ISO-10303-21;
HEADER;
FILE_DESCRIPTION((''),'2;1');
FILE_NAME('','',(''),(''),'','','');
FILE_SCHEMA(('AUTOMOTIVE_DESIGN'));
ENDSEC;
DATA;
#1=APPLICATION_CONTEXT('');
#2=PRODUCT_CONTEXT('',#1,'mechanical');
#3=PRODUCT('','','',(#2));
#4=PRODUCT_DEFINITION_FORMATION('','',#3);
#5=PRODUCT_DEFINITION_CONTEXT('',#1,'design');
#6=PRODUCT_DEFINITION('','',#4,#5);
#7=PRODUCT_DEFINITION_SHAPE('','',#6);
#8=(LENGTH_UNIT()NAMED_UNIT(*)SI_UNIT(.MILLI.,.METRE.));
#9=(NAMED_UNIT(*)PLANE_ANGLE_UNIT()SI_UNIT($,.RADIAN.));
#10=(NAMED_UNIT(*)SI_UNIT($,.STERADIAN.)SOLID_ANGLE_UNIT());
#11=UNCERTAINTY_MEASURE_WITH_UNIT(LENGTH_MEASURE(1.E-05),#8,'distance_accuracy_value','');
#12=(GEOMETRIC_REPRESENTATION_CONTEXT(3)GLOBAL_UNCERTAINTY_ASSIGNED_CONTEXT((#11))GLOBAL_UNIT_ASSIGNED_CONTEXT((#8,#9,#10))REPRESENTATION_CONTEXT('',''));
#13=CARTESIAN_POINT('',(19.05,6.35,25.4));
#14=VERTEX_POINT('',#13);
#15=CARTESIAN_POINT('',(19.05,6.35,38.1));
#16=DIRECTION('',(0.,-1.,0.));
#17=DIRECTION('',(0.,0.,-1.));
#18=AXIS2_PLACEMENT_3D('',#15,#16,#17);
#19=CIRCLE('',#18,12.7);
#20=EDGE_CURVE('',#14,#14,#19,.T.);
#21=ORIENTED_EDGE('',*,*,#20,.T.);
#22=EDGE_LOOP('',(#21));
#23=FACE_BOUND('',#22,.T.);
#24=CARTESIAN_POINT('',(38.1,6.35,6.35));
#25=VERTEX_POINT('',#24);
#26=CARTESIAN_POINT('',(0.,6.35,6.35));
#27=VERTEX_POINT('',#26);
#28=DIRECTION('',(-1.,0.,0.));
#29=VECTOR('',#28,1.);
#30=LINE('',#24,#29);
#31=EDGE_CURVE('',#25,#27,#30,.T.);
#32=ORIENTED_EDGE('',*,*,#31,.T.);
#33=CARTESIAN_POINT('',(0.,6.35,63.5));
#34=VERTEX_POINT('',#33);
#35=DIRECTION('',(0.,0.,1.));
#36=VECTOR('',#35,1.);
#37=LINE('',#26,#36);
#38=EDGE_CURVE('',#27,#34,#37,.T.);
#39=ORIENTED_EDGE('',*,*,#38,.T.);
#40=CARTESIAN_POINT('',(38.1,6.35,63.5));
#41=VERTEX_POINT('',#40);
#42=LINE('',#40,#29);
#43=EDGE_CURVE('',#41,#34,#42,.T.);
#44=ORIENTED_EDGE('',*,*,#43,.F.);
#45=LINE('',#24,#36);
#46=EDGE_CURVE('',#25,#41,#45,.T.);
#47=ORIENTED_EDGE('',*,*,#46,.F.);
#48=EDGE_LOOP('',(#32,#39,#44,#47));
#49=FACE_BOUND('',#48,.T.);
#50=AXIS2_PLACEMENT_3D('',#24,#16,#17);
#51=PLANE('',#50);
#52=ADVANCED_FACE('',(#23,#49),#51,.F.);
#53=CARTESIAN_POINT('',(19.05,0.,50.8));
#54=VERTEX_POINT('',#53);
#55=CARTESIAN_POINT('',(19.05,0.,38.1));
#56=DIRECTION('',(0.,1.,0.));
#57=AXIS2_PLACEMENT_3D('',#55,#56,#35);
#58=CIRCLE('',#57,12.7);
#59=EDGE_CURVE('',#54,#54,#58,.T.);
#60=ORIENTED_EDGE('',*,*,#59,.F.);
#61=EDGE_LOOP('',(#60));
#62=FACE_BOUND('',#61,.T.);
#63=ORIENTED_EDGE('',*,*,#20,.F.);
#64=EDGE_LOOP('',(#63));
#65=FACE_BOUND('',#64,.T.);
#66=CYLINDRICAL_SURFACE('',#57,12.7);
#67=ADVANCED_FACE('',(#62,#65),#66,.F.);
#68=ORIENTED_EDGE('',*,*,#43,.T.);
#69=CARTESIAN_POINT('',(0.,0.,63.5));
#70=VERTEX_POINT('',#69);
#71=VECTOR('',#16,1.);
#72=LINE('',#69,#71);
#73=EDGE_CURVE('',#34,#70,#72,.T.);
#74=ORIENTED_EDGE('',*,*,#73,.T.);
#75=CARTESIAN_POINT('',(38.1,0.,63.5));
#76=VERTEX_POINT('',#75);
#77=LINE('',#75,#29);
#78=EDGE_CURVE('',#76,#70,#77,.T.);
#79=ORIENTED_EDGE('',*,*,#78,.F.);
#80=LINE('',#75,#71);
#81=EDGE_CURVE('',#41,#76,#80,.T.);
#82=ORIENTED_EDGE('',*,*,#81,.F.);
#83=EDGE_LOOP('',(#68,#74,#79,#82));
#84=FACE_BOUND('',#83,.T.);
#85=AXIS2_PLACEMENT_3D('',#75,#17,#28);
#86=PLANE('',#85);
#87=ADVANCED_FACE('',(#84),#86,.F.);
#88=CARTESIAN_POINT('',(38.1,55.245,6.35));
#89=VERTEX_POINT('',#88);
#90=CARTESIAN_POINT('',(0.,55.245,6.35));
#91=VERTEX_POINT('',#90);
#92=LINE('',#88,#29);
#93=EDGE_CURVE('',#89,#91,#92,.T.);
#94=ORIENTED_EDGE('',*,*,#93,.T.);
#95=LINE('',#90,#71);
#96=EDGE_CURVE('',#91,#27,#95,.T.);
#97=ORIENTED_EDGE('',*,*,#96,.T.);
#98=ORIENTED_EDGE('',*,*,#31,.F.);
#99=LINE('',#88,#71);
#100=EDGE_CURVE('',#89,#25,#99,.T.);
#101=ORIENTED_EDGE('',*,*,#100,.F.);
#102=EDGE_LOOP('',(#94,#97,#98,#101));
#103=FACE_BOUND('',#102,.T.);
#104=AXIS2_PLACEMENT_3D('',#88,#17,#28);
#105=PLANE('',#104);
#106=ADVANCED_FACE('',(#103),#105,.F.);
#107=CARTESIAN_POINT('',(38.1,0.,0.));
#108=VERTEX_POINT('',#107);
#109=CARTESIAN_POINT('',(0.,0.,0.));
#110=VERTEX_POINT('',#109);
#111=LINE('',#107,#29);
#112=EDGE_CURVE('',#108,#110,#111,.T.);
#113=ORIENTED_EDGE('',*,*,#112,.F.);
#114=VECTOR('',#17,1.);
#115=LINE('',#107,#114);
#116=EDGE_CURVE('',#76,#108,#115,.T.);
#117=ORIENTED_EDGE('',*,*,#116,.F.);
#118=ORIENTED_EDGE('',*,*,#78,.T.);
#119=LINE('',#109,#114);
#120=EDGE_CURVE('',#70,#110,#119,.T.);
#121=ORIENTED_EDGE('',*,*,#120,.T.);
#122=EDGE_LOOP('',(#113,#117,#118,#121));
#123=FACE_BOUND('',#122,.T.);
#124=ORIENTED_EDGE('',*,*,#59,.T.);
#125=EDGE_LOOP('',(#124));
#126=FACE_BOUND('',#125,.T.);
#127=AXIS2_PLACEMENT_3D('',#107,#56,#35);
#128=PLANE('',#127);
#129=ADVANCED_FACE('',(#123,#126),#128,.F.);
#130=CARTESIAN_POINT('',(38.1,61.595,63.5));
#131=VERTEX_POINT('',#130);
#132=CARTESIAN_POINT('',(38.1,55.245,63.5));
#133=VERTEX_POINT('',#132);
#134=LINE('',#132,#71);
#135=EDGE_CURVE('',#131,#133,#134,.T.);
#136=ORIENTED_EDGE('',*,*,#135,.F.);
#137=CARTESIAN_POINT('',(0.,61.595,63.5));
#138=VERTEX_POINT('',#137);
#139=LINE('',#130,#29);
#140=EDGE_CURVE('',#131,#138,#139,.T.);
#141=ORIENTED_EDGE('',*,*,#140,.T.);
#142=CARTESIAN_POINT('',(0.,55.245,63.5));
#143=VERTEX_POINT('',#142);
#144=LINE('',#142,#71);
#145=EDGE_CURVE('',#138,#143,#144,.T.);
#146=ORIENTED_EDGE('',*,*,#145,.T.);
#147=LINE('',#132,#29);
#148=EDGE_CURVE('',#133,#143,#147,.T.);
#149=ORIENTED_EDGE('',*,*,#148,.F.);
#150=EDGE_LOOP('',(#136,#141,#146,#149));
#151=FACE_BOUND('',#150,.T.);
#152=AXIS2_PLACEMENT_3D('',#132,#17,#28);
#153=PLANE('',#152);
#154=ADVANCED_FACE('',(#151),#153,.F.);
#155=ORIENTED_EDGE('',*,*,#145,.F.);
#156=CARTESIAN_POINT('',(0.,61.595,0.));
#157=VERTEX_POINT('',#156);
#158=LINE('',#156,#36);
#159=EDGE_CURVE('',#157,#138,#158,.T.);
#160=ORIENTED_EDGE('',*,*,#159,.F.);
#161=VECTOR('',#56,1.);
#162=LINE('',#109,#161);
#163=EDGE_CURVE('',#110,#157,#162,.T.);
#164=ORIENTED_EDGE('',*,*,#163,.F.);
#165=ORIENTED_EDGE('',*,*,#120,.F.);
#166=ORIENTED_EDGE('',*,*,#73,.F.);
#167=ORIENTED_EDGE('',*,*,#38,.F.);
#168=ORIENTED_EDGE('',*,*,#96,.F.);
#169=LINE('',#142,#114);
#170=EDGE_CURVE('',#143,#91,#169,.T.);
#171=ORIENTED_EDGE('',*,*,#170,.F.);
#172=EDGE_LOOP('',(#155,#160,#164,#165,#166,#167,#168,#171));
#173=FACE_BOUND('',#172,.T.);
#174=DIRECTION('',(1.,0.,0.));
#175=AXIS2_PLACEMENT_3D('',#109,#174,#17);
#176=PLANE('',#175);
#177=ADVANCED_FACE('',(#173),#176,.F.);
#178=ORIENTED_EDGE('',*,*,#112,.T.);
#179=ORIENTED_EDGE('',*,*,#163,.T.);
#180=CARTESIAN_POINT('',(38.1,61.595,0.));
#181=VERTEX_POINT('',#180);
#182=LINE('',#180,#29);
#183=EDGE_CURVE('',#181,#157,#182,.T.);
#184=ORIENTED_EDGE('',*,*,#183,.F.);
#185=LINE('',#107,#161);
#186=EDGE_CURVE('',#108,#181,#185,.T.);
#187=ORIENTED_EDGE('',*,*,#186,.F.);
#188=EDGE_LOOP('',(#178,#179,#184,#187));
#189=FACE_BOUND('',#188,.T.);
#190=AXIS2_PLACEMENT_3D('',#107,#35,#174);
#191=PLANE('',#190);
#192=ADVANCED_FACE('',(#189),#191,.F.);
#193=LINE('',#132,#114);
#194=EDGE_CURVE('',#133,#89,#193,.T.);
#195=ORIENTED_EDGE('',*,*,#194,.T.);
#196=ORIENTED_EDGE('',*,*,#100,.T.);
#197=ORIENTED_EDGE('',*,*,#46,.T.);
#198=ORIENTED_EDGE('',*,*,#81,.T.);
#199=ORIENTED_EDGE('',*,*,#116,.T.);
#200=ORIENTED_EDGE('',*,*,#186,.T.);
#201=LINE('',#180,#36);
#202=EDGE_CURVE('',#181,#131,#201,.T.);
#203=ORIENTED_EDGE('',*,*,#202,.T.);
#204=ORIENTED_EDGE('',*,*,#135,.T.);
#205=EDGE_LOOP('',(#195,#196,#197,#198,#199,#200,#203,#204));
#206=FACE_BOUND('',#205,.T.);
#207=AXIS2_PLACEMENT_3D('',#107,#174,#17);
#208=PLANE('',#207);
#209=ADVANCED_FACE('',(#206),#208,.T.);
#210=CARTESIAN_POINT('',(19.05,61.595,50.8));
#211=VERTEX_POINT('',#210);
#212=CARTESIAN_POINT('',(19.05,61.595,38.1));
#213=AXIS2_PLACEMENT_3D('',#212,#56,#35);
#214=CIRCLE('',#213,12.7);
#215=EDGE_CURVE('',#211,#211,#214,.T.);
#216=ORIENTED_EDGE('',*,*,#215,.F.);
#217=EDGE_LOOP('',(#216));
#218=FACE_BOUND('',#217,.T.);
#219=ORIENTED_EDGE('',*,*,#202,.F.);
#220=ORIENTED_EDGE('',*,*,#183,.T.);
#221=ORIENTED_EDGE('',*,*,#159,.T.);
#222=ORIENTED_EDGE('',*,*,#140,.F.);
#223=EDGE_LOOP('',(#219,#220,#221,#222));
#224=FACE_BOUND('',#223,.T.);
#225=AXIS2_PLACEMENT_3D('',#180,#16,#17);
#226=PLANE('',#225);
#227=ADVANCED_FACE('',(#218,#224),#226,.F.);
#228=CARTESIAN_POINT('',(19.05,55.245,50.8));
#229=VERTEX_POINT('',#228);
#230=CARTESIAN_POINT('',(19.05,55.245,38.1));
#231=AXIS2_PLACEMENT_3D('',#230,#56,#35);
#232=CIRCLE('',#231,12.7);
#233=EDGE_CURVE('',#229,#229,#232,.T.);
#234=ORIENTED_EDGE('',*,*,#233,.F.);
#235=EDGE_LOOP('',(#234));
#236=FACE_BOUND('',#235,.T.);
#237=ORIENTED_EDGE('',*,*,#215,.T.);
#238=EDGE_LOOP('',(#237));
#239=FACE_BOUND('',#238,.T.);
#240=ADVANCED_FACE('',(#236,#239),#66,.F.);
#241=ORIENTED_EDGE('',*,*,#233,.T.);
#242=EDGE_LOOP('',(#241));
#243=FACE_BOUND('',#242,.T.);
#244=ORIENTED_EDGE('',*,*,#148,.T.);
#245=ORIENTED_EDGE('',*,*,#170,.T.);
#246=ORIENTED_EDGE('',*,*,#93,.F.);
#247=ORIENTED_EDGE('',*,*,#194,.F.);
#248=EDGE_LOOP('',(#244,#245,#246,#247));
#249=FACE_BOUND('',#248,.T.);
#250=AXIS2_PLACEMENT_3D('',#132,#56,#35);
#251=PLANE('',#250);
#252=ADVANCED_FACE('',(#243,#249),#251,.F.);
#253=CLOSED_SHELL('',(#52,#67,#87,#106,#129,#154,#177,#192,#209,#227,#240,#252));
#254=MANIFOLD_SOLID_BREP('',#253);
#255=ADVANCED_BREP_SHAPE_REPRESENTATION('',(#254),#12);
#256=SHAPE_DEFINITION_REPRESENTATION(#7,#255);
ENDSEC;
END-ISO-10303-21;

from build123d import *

# Parameters (mm, degrees)
BOSS_EXTRUDE1_DEPTH = 38.1
SKETCH3_R           = 12.7
CUT_EXTRUDE1_DEPTH  = 97.321358094


with BuildPart() as part:
    # Sketch2 → Boss-Extrude1 (new body)
    with BuildSketch(Plane(origin=(0, 0, 0), x_dir=(0, 0, -1), z_dir=(1, 0, 0))):
        Polygon((-63.5, 55.245), (-6.35, 55.245), (-6.35, 6.35), (-63.5, 6.35), (-63.5, 0), (0, 0), (0, 61.595), (-63.5, 61.595), align=None)
    extrude(amount=BOSS_EXTRUDE1_DEPTH)

    # Sketch3 → Cut-Extrude1 (cut, through all)
    with BuildSketch(Plane(origin=(0, 61.595, 0), x_dir=(1, 0, 0), z_dir=(0, 1, 0))):
        with Locations(Location((19.05, -38.1, 0), (0, 0, 270))):
            Circle(SKETCH3_R)
    extrude(amount=-CUT_EXTRUDE1_DEPTH, mode=Mode.SUBTRACT)


solid = part.part
